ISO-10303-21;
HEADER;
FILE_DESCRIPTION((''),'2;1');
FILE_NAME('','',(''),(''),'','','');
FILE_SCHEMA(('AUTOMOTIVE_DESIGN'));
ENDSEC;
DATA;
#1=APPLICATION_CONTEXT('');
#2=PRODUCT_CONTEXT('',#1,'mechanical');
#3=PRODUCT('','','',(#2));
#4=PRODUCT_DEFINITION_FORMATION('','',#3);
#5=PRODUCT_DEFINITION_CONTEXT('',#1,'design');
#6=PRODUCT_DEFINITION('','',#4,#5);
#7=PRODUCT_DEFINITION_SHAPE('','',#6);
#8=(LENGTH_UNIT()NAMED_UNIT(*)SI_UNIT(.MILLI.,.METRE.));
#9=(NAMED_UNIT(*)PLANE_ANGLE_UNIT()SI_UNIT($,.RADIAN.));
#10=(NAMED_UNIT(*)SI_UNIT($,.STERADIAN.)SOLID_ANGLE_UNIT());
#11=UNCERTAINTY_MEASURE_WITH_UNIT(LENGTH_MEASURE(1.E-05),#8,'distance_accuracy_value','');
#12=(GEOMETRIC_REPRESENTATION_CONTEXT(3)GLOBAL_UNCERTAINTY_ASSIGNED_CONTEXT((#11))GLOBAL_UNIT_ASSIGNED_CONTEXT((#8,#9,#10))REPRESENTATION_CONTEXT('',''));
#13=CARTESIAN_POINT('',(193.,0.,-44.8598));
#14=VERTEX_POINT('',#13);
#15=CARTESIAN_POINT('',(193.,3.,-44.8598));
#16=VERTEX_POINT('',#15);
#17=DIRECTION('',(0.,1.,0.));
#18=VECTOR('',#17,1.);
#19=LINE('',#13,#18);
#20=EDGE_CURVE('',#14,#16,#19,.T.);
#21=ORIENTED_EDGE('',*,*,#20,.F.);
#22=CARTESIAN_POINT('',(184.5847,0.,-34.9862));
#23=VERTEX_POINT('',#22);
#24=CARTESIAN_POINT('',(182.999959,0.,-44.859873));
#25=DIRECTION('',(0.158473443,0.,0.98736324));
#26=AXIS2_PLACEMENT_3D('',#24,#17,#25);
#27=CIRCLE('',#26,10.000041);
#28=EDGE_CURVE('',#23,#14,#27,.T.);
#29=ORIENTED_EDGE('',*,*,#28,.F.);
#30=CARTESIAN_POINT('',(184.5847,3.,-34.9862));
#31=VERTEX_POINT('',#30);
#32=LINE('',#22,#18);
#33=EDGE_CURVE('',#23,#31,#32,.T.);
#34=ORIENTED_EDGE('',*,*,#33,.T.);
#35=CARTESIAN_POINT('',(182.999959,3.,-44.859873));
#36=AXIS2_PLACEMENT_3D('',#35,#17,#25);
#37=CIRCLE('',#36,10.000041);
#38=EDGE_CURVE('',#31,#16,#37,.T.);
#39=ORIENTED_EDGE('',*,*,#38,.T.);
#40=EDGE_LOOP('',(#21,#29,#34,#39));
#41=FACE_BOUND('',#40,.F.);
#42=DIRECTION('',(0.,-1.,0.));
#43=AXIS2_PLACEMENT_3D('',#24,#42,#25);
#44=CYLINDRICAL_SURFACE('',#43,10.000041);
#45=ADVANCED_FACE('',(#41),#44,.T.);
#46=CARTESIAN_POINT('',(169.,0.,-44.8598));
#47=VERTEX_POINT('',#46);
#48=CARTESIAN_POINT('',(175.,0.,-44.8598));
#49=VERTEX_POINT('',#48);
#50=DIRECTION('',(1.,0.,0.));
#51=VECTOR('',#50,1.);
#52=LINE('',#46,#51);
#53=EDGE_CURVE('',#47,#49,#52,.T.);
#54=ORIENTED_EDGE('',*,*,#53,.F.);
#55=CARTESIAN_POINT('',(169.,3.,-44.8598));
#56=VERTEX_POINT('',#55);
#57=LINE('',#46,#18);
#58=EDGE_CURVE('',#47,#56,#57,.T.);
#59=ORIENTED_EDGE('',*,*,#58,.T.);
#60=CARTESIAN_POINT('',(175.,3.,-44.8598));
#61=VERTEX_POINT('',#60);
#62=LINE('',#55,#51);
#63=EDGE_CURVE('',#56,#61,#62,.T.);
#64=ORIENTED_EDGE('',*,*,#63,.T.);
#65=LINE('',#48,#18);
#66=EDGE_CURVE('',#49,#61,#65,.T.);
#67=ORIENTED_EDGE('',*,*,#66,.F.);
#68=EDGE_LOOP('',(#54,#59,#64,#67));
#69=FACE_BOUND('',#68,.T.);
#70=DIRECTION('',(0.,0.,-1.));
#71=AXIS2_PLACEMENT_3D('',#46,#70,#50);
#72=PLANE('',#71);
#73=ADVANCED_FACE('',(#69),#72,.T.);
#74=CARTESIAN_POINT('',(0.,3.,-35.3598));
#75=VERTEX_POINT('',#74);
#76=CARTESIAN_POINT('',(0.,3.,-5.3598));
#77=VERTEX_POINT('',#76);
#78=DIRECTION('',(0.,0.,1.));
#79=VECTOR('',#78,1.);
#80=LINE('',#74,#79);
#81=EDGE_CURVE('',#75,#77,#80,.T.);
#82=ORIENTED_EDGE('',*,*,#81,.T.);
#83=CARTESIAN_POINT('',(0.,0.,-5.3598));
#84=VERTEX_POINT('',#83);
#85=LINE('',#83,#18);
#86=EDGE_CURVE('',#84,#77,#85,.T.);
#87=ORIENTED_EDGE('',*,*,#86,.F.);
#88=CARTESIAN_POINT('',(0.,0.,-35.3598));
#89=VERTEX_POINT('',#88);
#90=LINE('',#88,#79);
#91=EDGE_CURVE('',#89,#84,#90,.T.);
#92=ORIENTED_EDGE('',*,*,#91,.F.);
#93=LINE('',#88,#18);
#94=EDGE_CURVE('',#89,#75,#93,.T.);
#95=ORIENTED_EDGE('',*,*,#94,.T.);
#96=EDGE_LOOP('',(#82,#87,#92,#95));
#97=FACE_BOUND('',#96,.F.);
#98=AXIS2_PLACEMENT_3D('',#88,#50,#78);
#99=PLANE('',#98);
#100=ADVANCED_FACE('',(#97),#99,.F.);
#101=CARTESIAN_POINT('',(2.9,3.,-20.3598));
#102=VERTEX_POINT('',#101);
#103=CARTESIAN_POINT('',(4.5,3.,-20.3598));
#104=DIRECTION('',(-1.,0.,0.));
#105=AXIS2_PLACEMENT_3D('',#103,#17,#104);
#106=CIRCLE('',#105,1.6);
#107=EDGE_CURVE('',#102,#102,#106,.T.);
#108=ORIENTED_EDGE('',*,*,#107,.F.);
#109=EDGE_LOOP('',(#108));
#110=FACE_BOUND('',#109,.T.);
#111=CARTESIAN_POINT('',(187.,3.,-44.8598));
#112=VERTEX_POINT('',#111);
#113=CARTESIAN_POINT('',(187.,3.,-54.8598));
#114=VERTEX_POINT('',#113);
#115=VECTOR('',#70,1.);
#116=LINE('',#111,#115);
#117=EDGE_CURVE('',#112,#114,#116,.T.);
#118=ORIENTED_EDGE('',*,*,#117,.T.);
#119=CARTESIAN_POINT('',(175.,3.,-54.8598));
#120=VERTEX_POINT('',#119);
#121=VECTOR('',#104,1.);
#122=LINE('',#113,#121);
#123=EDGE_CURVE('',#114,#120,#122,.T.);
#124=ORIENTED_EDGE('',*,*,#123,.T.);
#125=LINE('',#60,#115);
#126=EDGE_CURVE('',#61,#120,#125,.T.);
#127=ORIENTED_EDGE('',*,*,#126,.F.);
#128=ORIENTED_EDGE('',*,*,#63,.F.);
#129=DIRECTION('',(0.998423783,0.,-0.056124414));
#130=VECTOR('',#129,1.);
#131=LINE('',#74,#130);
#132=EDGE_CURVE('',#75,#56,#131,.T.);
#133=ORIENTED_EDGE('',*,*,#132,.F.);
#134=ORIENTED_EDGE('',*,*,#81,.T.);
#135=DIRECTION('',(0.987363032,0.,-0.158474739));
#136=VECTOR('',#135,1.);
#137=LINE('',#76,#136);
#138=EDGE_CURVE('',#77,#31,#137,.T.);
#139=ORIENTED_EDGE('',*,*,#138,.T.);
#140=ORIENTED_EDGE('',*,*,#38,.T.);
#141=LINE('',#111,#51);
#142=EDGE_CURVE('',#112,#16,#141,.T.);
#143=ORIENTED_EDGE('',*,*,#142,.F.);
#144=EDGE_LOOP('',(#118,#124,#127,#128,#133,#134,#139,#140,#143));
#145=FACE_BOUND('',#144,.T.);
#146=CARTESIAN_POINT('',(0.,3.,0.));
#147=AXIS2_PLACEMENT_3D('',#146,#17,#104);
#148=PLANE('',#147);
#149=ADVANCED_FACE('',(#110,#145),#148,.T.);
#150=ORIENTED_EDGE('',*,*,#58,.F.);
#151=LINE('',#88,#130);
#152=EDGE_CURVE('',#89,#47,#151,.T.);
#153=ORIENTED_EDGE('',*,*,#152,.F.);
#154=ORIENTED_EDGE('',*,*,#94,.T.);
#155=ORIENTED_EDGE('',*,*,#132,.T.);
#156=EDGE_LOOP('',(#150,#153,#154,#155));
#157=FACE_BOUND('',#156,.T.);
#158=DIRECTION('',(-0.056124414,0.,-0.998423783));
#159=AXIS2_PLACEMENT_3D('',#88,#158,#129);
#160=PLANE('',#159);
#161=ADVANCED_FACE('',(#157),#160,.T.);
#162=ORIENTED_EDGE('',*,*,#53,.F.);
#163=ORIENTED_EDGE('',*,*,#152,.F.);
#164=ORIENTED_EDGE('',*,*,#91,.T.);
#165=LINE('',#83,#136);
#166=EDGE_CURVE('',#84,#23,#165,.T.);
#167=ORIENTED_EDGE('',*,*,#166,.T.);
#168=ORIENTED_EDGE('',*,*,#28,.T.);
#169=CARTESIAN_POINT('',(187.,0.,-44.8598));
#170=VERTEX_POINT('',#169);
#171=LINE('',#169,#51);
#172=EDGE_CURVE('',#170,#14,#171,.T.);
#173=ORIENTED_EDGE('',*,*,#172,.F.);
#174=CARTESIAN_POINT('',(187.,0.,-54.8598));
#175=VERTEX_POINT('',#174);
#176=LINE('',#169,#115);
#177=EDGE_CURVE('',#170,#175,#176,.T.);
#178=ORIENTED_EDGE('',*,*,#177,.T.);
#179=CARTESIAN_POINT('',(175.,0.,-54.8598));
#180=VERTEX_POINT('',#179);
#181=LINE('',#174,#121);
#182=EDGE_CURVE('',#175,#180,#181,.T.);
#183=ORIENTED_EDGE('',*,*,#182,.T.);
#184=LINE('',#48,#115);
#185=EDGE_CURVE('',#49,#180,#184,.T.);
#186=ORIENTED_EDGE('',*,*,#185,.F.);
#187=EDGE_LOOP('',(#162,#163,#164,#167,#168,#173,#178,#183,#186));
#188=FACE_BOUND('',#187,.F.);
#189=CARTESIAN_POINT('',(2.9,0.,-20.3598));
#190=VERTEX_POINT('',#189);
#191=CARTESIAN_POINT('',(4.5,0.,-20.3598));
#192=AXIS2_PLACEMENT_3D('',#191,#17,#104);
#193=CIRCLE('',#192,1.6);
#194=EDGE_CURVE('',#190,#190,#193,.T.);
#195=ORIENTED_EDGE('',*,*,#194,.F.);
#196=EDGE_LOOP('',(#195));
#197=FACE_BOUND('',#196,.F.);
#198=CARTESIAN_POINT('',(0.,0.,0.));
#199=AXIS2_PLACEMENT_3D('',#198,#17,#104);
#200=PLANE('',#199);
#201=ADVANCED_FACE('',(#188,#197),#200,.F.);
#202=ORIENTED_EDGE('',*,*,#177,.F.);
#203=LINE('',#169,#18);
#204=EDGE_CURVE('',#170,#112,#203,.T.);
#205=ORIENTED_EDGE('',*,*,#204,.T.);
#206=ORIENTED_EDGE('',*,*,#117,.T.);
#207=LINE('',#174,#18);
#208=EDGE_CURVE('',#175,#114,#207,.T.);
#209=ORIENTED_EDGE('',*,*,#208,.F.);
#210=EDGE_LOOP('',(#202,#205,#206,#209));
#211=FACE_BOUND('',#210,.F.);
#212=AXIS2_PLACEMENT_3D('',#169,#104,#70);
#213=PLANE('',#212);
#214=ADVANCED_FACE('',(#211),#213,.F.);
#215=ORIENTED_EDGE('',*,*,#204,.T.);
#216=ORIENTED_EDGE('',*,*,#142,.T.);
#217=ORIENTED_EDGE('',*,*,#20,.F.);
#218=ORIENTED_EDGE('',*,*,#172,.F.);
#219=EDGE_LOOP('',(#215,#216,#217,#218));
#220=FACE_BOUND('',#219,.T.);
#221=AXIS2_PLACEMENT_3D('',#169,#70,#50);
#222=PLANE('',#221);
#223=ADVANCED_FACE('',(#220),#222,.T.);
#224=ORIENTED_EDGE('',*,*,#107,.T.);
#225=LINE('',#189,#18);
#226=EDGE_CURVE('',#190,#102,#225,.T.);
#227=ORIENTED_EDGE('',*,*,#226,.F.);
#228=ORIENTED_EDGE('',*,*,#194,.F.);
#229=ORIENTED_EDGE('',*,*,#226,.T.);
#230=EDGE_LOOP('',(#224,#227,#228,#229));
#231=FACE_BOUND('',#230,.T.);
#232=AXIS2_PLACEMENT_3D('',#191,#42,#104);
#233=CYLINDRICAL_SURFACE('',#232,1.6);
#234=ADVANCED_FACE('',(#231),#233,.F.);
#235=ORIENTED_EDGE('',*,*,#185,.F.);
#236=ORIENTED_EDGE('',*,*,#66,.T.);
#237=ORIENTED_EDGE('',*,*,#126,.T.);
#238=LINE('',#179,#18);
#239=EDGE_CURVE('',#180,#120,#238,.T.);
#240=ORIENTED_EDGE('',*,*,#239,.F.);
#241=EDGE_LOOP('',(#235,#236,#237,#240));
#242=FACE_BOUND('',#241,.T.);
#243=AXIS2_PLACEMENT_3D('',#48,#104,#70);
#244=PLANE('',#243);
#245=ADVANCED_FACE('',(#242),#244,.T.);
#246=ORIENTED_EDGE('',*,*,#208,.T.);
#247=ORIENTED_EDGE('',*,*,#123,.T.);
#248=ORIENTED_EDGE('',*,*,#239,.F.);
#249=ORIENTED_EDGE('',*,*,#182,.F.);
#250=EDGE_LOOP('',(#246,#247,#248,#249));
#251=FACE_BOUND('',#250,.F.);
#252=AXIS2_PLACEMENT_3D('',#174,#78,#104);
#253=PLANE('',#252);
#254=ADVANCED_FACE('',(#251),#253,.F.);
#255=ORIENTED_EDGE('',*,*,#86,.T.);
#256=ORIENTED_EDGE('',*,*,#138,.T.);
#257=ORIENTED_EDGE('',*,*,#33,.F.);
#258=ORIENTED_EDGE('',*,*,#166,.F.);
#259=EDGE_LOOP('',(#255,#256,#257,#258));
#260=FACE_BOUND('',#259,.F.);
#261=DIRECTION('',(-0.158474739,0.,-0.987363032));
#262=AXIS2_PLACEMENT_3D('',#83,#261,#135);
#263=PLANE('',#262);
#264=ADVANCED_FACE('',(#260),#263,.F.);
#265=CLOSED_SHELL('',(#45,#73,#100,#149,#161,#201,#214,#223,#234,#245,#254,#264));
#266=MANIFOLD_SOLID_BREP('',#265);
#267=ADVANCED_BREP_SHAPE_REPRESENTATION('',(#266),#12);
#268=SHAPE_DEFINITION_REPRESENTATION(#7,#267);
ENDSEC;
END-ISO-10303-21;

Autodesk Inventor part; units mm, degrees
ref_plane "YZ Plane" through (0, 0, 0) normal (1, 0, 0) x (0, 1, 0)
ref_plane "XZ Plane" through (0, 0, 0) normal (0, 1, 0) x (-1, 0, 0)
ref_plane "XY Plane" through (0, 0, 0) normal (0, 0, 1) x (1, 0, 0)
sketch "スケッチ3" plane through (0, 0, 0) normal (0, 1, 0) x (-1, 0, 0)
  line L0 (0, -35.3598) -> (0, -5.3598)
  line L1 (-187, -44.8598) -> (-187, -54.8598) projected
  line L2 (-175, -44.8598) -> (-175, -54.8598) projected
  line L3 (0, -5.3598) -> (-184.5847, -34.9862)
  arc A0 (-184.5847, -34.9862) -> (-193, -44.8598) centre (-183, -44.8598) ccw
  line L4 (-187, -54.8598) -> (-175, -54.8598)
  line L5 (-187, -44.8598) -> (-193, -44.8598)
  line L6 (0, -35.3598) -> (-169, -44.8598)
  line L7 (-169, -44.8598) -> (-175, -44.8598)
  circle A1 centre (-4.5, -20.3598) radius 1.6 projected
  point P0 (0, -20.3598)
  dimension "d17" = 10
  dimension "d18" = 6
  dimension "d20" = 30
  dimension "d21" = 4.5
extrude "押し出し2" add sketch "スケッチ3" along normal blind 3
properties part number "SqPipe92" material "アクリル、クリア"
